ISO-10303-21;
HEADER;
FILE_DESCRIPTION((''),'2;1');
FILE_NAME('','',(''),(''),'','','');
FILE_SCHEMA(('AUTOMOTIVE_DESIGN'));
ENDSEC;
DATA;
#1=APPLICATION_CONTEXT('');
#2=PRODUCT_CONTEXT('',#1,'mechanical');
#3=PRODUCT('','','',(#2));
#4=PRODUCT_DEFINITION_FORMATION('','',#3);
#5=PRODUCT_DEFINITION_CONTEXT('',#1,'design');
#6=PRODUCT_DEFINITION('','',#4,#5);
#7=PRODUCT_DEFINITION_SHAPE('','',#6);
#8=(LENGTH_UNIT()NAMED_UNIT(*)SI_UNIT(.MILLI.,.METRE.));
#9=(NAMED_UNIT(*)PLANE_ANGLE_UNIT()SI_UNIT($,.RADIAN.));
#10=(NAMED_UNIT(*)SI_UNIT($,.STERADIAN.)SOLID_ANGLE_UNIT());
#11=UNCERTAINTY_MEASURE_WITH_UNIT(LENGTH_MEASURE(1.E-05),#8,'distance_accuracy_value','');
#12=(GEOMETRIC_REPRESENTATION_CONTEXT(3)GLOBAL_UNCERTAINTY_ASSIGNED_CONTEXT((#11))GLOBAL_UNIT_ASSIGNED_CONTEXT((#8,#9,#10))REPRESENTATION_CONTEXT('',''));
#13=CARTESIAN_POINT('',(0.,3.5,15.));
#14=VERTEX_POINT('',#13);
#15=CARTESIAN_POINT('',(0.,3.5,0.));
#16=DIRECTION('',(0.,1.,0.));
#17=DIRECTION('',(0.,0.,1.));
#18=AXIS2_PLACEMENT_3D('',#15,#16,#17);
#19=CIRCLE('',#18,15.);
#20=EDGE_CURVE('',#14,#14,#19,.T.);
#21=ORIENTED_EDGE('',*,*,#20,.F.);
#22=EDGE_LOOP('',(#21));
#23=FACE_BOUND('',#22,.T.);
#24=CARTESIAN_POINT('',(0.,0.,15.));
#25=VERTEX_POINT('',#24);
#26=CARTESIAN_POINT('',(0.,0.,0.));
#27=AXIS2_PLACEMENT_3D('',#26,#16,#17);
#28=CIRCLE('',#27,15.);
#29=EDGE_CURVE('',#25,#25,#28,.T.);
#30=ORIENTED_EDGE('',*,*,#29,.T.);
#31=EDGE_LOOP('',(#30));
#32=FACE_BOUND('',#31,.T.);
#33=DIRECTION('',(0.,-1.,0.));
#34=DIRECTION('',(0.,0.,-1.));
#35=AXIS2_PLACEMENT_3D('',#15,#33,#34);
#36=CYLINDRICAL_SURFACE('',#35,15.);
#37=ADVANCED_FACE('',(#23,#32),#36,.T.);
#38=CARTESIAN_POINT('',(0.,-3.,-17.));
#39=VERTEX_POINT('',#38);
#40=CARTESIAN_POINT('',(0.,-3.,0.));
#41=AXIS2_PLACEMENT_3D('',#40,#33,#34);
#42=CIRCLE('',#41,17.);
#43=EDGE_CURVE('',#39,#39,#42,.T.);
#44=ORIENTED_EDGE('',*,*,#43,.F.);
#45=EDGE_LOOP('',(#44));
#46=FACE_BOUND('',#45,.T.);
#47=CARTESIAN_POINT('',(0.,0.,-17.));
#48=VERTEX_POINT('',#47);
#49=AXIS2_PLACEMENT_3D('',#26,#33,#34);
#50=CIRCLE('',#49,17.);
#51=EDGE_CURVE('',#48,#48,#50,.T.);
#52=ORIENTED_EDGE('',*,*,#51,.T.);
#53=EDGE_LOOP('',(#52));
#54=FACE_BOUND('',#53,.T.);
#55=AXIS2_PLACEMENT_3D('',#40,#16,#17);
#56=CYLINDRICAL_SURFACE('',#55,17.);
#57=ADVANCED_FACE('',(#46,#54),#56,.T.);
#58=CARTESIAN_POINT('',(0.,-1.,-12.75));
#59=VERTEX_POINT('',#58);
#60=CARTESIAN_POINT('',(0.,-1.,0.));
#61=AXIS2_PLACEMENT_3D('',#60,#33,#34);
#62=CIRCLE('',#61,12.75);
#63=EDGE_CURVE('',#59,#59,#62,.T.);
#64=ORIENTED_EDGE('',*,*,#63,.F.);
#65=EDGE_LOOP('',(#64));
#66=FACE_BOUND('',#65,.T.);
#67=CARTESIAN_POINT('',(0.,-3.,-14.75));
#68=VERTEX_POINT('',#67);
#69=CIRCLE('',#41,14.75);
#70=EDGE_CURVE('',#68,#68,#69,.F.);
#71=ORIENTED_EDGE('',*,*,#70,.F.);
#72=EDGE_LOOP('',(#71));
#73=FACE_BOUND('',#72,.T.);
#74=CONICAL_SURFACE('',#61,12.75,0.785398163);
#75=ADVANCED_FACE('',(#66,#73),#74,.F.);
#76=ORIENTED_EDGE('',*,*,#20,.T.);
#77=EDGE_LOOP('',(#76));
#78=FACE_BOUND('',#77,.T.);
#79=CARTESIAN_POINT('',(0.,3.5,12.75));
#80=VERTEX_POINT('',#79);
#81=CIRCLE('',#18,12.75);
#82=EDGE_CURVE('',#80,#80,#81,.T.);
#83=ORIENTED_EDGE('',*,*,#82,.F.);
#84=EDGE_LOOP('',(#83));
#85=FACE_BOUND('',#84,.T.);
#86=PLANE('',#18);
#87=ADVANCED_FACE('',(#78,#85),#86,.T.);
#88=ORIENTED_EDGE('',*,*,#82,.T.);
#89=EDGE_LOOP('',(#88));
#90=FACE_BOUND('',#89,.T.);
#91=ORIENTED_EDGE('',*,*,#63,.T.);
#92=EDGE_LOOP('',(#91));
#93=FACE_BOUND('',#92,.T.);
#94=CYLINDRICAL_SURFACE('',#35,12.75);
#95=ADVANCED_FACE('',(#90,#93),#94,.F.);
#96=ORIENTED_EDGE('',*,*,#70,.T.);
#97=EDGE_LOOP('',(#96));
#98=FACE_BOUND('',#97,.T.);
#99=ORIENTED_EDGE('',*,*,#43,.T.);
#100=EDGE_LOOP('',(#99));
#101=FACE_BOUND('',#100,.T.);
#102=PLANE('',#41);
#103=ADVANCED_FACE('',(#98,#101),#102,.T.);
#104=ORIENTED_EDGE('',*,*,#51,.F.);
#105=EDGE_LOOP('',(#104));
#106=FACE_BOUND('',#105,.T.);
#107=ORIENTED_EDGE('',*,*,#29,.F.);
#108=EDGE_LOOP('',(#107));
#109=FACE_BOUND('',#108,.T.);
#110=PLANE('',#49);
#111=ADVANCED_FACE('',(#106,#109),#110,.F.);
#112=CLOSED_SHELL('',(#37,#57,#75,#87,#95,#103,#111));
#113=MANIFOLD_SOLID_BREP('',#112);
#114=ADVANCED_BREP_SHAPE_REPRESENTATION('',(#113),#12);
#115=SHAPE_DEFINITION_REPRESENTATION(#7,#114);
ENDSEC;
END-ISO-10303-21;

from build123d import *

# Parameters (mm, degrees)
SKETCH_1_R      = 15
SKETCH_1_R_2    = 12.75
EXTRUDE_1_DEPTH = 3.5
SKETCH_2_R      = 17
SKETCH_2_R_2    = 12.75
EXTRUDE_2_DEPTH = 3
CHAMFER_1_SIZE  = 2


with BuildPart() as part:
    # 草图1 → 凸台-拉伸1 (new body)
    with BuildSketch(Plane(origin=(0, 0, 0), x_dir=(1, 0, 0), z_dir=(0, 1, 0))):
        Circle(SKETCH_1_R)
        Circle(SKETCH_1_R_2, mode=Mode.SUBTRACT)
    extrude(amount=EXTRUDE_1_DEPTH)

    # 草图2 → 凸台-拉伸2 (add)
    with BuildSketch(Plane(origin=(0, 0, 0), x_dir=(-1, 0, 0), z_dir=(0, -1, 0))):
        Circle(SKETCH_2_R)
        Circle(SKETCH_2_R_2, mode=Mode.SUBTRACT)
    extrude(amount=EXTRUDE_2_DEPTH)

    # 倒角1
    chamfer_1_edges = [part.edges().sort_by_distance(p)[0] for p in [
        (12.75, -3, 0),
    ]]
    chamfer(chamfer_1_edges, length=CHAMFER_1_SIZE)


solid = part.part
